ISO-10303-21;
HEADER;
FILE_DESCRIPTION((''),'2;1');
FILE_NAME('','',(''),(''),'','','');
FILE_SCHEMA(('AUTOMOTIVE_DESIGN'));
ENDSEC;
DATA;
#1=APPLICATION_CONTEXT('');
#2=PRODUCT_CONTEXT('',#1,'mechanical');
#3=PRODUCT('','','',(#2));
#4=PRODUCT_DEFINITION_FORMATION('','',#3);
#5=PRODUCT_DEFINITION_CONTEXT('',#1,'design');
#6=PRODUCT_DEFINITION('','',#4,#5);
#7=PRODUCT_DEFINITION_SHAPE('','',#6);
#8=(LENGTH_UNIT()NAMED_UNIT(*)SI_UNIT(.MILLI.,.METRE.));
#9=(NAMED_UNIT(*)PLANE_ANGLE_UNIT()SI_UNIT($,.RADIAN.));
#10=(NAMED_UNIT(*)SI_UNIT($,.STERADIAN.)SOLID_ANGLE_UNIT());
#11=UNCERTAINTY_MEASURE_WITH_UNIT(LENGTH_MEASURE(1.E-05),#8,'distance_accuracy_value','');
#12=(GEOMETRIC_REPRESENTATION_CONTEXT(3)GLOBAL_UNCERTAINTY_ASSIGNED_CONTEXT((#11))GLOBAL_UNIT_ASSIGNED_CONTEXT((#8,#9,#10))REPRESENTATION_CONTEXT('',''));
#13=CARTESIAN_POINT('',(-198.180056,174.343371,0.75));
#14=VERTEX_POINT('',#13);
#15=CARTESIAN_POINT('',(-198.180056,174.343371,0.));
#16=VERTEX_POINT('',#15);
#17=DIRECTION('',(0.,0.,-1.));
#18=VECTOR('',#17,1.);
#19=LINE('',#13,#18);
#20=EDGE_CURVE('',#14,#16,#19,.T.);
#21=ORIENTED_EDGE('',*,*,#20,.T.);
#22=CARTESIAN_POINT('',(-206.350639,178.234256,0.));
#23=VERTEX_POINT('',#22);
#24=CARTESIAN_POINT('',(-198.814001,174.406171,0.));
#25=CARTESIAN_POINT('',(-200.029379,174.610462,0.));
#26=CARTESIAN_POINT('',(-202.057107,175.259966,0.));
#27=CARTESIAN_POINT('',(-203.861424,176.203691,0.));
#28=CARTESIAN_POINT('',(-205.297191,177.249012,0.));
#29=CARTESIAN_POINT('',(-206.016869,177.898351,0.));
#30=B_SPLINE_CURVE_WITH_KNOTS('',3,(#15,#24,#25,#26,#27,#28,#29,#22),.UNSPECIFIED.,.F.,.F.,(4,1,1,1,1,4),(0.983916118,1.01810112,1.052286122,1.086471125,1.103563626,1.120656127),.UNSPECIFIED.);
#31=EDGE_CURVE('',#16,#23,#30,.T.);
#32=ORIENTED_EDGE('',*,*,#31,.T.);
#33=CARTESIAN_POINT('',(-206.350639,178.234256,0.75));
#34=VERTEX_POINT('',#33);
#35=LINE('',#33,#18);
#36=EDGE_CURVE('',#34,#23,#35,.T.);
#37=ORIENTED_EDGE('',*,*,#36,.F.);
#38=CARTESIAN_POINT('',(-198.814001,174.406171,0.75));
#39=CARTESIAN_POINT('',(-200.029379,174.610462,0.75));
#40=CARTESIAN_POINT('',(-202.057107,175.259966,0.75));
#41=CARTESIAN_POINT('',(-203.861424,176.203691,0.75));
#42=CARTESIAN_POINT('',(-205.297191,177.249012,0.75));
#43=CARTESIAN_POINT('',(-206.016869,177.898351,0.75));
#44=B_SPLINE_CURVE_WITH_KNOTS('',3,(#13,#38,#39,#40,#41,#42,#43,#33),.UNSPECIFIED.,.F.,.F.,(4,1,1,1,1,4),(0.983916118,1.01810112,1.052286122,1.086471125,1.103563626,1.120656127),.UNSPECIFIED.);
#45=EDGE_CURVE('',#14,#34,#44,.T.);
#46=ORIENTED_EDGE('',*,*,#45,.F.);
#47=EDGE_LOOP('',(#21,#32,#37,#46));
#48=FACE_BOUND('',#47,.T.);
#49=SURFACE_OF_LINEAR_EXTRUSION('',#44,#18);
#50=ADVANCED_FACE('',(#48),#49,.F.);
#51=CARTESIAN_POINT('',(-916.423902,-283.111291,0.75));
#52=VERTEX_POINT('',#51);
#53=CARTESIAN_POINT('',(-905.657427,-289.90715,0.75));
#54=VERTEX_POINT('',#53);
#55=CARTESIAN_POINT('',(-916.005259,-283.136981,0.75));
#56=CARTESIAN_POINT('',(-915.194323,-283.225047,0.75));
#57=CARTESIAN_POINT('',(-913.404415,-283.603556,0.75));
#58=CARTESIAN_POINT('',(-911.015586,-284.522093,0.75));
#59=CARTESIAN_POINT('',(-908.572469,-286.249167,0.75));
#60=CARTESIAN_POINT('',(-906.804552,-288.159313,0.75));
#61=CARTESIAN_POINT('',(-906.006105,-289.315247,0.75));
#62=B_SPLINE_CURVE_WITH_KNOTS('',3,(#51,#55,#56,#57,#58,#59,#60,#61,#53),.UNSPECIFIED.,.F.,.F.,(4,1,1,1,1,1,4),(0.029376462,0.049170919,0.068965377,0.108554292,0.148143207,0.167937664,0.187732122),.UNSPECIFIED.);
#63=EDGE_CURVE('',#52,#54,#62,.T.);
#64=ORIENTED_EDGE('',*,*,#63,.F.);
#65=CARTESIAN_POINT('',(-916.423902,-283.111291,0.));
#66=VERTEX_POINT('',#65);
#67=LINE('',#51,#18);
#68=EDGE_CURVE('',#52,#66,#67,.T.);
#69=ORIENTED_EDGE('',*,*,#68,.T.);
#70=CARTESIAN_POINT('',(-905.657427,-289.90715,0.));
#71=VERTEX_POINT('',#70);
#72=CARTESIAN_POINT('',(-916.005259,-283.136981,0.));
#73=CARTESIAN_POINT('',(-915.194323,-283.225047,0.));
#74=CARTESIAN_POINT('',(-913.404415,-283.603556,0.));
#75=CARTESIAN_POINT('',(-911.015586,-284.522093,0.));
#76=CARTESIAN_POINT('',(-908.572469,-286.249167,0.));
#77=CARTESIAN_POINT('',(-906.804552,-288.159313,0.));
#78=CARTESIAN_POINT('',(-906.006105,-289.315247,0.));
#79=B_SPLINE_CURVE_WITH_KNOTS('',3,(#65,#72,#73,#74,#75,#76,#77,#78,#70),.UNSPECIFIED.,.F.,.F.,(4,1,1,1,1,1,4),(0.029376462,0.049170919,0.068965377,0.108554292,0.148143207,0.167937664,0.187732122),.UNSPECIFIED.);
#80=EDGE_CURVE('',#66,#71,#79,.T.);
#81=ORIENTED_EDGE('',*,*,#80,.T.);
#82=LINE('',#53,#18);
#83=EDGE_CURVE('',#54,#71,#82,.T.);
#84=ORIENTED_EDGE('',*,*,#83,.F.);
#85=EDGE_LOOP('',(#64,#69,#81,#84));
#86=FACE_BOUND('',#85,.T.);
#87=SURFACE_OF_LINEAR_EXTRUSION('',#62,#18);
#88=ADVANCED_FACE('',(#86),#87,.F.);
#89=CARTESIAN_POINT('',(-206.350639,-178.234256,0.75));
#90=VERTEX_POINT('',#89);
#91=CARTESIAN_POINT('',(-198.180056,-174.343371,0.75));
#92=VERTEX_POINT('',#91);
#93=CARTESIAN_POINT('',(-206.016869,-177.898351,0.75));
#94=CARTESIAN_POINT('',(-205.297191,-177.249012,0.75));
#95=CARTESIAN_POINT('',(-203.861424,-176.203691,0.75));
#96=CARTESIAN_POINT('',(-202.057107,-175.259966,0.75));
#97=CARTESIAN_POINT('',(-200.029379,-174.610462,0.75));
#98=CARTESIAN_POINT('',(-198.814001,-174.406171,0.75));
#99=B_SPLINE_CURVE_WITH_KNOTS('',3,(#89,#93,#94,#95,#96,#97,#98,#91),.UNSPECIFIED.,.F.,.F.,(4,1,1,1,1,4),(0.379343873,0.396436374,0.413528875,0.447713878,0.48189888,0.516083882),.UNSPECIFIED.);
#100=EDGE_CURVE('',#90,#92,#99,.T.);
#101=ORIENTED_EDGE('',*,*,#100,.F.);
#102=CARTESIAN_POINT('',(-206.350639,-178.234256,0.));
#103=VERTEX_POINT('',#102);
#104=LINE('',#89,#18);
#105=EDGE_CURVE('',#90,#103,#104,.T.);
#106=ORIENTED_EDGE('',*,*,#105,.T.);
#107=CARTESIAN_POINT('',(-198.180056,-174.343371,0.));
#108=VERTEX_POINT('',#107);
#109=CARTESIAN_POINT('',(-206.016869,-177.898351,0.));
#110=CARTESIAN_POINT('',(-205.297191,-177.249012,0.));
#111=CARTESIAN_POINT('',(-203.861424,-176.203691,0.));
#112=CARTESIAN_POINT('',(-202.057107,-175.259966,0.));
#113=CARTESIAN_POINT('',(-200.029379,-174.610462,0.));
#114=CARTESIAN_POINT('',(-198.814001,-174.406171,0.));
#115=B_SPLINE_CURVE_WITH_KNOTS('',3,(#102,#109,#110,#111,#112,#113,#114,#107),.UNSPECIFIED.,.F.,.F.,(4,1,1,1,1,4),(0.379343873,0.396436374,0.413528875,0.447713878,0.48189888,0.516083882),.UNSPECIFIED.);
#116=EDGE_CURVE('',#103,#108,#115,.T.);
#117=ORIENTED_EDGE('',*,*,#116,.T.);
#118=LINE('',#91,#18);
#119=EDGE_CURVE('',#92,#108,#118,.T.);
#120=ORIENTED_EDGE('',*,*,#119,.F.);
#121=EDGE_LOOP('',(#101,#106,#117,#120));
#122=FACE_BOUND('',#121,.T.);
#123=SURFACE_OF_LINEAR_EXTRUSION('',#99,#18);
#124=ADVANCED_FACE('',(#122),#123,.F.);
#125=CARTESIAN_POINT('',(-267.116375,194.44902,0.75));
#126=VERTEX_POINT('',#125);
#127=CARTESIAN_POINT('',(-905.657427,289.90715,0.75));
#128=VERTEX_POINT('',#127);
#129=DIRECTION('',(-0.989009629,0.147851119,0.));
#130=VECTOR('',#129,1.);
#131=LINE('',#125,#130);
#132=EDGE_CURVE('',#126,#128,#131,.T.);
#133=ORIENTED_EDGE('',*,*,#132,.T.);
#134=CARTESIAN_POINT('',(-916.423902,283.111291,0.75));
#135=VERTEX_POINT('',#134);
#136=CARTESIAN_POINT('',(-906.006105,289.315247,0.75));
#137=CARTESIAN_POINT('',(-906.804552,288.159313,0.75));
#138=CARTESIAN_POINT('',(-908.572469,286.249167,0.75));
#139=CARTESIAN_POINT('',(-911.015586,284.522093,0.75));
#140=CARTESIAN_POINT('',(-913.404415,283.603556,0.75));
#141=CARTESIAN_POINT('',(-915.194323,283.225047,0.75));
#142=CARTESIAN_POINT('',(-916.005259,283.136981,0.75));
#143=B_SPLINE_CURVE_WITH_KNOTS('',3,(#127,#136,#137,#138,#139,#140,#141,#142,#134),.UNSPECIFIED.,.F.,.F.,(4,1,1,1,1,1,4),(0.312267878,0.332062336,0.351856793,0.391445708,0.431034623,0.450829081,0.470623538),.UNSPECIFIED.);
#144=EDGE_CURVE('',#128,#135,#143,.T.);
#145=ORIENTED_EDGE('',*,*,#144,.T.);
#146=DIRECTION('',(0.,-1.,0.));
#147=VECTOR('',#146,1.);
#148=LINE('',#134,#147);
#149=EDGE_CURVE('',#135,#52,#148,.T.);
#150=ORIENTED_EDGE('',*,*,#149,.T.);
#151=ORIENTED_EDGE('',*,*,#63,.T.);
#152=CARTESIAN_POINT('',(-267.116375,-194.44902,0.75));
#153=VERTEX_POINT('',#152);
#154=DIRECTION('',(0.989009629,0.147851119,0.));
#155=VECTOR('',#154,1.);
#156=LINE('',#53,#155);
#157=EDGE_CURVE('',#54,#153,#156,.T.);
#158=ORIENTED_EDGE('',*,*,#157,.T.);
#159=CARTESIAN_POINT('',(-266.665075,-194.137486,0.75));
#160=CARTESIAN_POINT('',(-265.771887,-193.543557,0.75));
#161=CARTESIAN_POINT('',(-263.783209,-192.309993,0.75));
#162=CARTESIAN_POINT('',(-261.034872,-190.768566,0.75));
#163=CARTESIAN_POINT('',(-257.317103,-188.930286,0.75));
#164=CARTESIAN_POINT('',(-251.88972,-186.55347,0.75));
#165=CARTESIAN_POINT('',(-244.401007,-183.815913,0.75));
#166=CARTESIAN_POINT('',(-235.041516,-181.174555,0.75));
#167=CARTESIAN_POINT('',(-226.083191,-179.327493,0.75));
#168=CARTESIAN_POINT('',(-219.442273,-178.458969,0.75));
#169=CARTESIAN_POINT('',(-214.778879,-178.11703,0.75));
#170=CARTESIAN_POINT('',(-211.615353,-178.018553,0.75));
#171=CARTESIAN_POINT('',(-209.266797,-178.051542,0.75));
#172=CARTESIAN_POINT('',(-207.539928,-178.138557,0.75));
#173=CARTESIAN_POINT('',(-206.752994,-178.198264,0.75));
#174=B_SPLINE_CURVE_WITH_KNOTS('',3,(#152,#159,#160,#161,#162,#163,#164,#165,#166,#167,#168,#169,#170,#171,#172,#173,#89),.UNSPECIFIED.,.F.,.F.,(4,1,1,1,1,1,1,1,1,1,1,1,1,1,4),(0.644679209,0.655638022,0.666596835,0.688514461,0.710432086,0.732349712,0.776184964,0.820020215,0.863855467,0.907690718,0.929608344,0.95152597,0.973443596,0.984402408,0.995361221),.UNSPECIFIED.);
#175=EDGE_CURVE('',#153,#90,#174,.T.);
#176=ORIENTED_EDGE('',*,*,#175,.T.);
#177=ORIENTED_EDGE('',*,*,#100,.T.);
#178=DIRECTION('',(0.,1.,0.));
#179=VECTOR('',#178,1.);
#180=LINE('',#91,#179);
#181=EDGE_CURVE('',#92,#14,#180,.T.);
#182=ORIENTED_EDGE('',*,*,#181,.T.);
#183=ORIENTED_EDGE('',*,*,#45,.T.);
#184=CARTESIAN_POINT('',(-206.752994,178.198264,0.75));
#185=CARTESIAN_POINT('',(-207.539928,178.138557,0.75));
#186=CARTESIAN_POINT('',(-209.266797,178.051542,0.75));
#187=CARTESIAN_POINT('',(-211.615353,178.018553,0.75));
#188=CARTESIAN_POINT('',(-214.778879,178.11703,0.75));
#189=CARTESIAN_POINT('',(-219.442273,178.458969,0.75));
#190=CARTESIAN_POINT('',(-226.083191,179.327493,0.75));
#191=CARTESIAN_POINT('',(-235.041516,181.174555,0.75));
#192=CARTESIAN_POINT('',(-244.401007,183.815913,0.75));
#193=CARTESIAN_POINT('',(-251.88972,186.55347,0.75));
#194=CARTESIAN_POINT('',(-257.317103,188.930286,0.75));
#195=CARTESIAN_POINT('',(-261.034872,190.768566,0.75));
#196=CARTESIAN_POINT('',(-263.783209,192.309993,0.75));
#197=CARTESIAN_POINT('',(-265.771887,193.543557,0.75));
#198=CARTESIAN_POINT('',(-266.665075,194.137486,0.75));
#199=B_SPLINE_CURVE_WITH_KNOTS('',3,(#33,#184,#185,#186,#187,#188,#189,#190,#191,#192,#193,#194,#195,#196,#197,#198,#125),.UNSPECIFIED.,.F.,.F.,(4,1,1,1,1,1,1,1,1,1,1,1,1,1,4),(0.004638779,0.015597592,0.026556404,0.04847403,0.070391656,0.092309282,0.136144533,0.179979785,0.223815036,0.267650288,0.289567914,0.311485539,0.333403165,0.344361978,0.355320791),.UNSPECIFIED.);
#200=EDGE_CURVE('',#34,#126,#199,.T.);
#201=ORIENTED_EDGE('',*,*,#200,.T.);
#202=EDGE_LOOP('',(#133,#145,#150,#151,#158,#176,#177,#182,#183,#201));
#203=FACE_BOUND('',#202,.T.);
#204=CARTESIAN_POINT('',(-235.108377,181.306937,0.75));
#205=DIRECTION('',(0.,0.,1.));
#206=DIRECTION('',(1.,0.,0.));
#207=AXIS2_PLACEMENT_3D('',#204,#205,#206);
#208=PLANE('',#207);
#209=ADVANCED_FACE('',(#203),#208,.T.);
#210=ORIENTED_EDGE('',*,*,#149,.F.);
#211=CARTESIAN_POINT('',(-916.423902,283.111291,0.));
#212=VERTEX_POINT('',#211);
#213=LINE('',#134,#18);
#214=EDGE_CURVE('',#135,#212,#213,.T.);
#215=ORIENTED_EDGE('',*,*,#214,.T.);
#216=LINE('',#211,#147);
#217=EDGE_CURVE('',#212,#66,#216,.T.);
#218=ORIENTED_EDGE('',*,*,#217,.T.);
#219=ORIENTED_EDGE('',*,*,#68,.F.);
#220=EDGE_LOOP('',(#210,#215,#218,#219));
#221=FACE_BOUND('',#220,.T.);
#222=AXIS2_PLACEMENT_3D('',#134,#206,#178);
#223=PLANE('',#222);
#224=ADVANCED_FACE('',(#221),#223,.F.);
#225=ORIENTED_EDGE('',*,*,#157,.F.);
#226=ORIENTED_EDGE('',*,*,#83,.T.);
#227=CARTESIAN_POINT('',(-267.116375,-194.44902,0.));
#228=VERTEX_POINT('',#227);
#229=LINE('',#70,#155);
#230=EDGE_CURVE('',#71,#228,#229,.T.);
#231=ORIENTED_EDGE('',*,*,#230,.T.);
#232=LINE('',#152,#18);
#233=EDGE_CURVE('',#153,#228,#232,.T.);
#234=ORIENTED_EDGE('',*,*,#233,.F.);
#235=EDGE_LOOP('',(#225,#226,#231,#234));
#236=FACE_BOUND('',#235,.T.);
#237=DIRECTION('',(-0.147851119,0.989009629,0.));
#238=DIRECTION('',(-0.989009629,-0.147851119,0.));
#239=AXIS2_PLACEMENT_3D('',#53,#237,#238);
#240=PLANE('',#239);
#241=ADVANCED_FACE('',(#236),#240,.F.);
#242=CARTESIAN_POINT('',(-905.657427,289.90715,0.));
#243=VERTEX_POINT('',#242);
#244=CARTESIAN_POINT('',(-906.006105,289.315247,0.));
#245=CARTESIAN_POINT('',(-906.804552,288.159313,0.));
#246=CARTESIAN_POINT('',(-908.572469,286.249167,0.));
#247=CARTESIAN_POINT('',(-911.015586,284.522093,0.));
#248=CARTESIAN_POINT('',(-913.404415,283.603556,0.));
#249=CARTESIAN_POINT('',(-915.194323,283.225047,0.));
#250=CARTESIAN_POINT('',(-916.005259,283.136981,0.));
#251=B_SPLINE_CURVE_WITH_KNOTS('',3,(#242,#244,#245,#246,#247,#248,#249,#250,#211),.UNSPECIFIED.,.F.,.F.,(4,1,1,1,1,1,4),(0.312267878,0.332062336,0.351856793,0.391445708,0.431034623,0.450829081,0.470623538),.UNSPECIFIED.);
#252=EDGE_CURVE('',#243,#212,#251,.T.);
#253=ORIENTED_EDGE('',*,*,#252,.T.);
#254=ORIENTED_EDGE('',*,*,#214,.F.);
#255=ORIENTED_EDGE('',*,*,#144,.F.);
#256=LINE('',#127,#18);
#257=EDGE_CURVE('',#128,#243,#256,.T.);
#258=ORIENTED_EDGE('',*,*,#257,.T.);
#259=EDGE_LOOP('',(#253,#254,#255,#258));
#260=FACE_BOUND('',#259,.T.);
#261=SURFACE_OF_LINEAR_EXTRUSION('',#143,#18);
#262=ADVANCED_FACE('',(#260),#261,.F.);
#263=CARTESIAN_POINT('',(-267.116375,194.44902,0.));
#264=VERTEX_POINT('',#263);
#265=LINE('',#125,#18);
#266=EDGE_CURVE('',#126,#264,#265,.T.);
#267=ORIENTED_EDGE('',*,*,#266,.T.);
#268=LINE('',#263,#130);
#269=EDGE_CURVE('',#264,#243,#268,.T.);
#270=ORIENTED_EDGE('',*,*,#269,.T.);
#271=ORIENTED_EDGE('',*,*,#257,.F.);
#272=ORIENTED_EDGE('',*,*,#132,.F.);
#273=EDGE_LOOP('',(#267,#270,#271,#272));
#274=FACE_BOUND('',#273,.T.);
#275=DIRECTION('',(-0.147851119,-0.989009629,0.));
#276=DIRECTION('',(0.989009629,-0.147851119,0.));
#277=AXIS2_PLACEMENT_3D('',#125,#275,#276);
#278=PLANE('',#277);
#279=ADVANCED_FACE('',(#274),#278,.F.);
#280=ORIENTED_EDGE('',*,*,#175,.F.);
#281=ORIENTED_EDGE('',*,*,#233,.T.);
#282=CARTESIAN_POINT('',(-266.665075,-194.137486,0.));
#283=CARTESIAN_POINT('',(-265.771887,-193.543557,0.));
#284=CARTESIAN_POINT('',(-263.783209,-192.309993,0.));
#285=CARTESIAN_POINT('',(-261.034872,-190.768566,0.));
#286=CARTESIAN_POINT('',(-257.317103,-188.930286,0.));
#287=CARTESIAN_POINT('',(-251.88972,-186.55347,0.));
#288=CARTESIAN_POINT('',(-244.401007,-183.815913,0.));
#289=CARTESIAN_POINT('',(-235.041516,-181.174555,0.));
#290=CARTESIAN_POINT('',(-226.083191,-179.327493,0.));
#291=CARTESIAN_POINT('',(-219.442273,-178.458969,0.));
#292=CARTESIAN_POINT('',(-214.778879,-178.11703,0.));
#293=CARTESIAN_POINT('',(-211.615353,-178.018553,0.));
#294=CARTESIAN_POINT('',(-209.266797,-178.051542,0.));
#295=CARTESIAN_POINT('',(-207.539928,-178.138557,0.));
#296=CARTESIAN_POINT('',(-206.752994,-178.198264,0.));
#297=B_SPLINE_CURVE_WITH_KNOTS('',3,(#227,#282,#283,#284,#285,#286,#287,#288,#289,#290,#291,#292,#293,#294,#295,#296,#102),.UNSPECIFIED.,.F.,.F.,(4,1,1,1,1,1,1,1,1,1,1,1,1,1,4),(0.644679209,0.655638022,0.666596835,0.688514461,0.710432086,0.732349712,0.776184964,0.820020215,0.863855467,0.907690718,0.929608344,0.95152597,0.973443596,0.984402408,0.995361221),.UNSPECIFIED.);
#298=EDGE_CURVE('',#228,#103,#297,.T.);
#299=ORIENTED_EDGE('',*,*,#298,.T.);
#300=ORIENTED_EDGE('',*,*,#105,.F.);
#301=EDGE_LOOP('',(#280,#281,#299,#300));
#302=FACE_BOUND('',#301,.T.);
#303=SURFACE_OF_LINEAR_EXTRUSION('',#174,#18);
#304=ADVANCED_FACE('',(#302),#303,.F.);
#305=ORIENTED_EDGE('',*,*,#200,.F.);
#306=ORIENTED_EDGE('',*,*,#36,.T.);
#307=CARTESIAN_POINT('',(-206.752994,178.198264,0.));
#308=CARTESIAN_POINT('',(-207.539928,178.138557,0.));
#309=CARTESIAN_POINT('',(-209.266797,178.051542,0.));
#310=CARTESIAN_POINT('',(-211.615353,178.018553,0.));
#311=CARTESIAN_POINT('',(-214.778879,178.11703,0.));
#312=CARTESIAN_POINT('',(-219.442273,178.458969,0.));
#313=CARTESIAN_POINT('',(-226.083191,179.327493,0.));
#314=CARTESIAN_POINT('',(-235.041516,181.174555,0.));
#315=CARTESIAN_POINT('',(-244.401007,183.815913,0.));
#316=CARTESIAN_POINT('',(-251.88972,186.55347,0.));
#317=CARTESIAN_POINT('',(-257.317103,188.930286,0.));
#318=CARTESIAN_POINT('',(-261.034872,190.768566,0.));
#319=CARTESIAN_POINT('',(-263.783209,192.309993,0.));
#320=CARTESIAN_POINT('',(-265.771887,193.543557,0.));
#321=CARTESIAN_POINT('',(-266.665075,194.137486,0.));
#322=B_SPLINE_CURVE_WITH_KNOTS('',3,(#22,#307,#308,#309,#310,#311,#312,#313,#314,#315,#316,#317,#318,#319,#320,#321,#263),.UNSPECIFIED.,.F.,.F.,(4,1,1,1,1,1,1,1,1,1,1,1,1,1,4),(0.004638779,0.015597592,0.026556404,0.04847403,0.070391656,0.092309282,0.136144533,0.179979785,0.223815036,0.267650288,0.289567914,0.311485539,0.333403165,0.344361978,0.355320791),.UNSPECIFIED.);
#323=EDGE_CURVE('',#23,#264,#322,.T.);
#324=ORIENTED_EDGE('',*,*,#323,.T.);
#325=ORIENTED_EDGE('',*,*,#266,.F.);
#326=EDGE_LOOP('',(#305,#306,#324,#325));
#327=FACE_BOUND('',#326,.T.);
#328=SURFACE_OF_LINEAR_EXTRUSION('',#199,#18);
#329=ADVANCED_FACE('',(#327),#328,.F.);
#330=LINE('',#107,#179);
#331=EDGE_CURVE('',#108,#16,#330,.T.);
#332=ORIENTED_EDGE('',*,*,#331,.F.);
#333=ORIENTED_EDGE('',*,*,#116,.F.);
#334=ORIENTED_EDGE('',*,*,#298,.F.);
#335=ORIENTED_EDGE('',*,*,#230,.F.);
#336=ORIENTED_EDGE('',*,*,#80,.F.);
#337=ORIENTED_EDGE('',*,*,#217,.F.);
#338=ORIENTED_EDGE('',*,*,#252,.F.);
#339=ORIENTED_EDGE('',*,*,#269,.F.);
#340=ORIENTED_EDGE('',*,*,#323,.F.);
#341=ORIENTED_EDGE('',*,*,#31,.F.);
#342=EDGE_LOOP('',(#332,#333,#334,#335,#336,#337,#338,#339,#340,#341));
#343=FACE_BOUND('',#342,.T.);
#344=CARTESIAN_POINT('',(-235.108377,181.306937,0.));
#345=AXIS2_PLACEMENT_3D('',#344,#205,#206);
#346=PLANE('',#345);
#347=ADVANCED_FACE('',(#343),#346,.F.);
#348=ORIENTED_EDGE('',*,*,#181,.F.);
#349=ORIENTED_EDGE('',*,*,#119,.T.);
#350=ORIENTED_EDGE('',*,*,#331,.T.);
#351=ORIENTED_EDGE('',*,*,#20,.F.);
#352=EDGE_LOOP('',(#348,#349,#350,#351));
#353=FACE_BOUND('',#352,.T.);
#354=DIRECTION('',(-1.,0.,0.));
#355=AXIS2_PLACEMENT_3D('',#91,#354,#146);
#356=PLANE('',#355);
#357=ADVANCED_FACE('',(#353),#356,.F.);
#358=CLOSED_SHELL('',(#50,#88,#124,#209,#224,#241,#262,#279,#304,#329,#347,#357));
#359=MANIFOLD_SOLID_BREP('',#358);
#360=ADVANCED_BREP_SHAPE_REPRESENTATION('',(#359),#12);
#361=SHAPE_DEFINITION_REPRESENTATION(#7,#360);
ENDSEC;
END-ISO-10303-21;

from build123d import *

# Parameters (mm, degrees)
DODANIE_WYCI_GNI_CIE1_DEPTH = 0.75


with BuildPart() as part:
    # Szkic2 → Dodanie-wyciągnięcie1 (new body)
    with BuildSketch(Plane.XY):
        with BuildLine():
            Line((-198.180056235, -174.343371382), (-198.180056235, 174.343371382))
            add(Edge.make_bspline(
                [(-198.180056235, 174.343371382), (-198.814001088, 174.406171049), (-200.029378534, 174.610462196), (-202.057107029, 175.259966245), (-203.861424394, 176.203690636), (-205.297190597, 177.249011775), (-206.016868944, 177.898350742), (-206.350638573, 178.234256298)],
                knots=[0.983916118, 0.983916118, 0.983916118, 0.983916118, 1.01810112, 1.052286122, 1.086471125, 1.103563626, 1.120656127, 1.120656127, 1.120656127, 1.120656127], degree=3))
            add(Edge.make_bspline(
                [(-206.350638573, 178.234256298), (-206.752993703, 178.198264306), (-207.539928278, 178.138556667), (-209.26679718, 178.051541981), (-211.615353293, 178.018552884), (-214.778879334, 178.117030022), (-219.442272991, 178.45896865), (-226.083190988, 179.327493296), (-235.041515621, 181.174554614), (-244.401007092, 183.815912629), (-251.88971958, 186.553469872), (-257.317102506, 188.930286392), (-261.034871731, 190.768565716), (-263.783209225, 192.309993434), (-265.771886977, 193.543556647), (-266.665075006, 194.137485785), (-267.11637499, 194.44902024)],
                knots=[0.004638779, 0.004638779, 0.004638779, 0.004638779, 0.015597592, 0.026556404, 0.04847403, 0.070391656, 0.092309282, 0.136144533, 0.179979785, 0.223815036, 0.267650288, 0.289567914, 0.311485539, 0.333403165, 0.344361978, 0.355320791, 0.355320791, 0.355320791, 0.355320791], degree=3))
            Line((-267.11637499, 194.44902024), (-905.657427312, 289.90714954))
            add(Edge.make_bspline(
                [(-905.657427312, 289.90714954), (-906.006104535, 289.315247268), (-906.804551959, 288.159312543), (-908.572469256, 286.249166576), (-911.015586006, 284.522093086), (-913.404414633, 283.603556478), (-915.194323394, 283.225046758), (-916.005259178, 283.136981023), (-916.423901621, 283.11129086)],
                knots=[0.312267878, 0.312267878, 0.312267878, 0.312267878, 0.332062336, 0.351856793, 0.391445708, 0.431034623, 0.450829081, 0.470623538, 0.470623538, 0.470623538, 0.470623538], degree=3))
            Line((-916.423901621, 283.11129086), (-916.423901621, -283.11129086))
            add(Edge.make_bspline(
                [(-916.423901621, -283.11129086), (-916.005259178, -283.136981023), (-915.194323394, -283.225046758), (-913.404414633, -283.603556478), (-911.015586006, -284.522093086), (-908.572469256, -286.249166576), (-906.804551959, -288.159312543), (-906.006104535, -289.315247268), (-905.657427312, -289.90714954)],
                knots=[0.029376462, 0.029376462, 0.029376462, 0.029376462, 0.049170919, 0.068965377, 0.108554292, 0.148143207, 0.167937664, 0.187732122, 0.187732122, 0.187732122, 0.187732122], degree=3))
            Line((-905.657427312, -289.90714954), (-267.11637499, -194.44902024))
            add(Edge.make_bspline(
                [(-267.11637499, -194.44902024), (-266.665075006, -194.137485784), (-265.771886977, -193.543556647), (-263.783209225, -192.309993434), (-261.034871731, -190.768565716), (-257.317102506, -188.930286392), (-251.88971958, -186.553469872), (-244.401007092, -183.815912629), (-235.041515621, -181.174554614), (-226.083190988, -179.327493296), (-219.442272991, -178.45896865), (-214.778879334, -178.117030022), (-211.615353293, -178.018552884), (-209.26679718, -178.051541981), (-207.539928278, -178.138556667), (-206.752993703, -178.198264306), (-206.350638573, -178.234256298)],
                knots=[0.644679209, 0.644679209, 0.644679209, 0.644679209, 0.655638022, 0.666596835, 0.688514461, 0.710432086, 0.732349712, 0.776184964, 0.820020215, 0.863855467, 0.907690718, 0.929608344, 0.95152597, 0.973443596, 0.984402408, 0.995361221, 0.995361221, 0.995361221, 0.995361221], degree=3))
            add(Edge.make_bspline(
                [(-206.350638573, -178.234256298), (-206.016868944, -177.898350742), (-205.297190597, -177.249011775), (-203.861424394, -176.203690636), (-202.057107029, -175.259966245), (-200.029378534, -174.610462196), (-198.814001088, -174.406171049), (-198.180056235, -174.343371382)],
                knots=[0.379343873, 0.379343873, 0.379343873, 0.379343873, 0.396436374, 0.413528875, 0.447713878, 0.48189888, 0.516083882, 0.516083882, 0.516083882, 0.516083882], degree=3))
        make_face()
    extrude(amount=DODANIE_WYCI_GNI_CIE1_DEPTH)


solid = part.part
